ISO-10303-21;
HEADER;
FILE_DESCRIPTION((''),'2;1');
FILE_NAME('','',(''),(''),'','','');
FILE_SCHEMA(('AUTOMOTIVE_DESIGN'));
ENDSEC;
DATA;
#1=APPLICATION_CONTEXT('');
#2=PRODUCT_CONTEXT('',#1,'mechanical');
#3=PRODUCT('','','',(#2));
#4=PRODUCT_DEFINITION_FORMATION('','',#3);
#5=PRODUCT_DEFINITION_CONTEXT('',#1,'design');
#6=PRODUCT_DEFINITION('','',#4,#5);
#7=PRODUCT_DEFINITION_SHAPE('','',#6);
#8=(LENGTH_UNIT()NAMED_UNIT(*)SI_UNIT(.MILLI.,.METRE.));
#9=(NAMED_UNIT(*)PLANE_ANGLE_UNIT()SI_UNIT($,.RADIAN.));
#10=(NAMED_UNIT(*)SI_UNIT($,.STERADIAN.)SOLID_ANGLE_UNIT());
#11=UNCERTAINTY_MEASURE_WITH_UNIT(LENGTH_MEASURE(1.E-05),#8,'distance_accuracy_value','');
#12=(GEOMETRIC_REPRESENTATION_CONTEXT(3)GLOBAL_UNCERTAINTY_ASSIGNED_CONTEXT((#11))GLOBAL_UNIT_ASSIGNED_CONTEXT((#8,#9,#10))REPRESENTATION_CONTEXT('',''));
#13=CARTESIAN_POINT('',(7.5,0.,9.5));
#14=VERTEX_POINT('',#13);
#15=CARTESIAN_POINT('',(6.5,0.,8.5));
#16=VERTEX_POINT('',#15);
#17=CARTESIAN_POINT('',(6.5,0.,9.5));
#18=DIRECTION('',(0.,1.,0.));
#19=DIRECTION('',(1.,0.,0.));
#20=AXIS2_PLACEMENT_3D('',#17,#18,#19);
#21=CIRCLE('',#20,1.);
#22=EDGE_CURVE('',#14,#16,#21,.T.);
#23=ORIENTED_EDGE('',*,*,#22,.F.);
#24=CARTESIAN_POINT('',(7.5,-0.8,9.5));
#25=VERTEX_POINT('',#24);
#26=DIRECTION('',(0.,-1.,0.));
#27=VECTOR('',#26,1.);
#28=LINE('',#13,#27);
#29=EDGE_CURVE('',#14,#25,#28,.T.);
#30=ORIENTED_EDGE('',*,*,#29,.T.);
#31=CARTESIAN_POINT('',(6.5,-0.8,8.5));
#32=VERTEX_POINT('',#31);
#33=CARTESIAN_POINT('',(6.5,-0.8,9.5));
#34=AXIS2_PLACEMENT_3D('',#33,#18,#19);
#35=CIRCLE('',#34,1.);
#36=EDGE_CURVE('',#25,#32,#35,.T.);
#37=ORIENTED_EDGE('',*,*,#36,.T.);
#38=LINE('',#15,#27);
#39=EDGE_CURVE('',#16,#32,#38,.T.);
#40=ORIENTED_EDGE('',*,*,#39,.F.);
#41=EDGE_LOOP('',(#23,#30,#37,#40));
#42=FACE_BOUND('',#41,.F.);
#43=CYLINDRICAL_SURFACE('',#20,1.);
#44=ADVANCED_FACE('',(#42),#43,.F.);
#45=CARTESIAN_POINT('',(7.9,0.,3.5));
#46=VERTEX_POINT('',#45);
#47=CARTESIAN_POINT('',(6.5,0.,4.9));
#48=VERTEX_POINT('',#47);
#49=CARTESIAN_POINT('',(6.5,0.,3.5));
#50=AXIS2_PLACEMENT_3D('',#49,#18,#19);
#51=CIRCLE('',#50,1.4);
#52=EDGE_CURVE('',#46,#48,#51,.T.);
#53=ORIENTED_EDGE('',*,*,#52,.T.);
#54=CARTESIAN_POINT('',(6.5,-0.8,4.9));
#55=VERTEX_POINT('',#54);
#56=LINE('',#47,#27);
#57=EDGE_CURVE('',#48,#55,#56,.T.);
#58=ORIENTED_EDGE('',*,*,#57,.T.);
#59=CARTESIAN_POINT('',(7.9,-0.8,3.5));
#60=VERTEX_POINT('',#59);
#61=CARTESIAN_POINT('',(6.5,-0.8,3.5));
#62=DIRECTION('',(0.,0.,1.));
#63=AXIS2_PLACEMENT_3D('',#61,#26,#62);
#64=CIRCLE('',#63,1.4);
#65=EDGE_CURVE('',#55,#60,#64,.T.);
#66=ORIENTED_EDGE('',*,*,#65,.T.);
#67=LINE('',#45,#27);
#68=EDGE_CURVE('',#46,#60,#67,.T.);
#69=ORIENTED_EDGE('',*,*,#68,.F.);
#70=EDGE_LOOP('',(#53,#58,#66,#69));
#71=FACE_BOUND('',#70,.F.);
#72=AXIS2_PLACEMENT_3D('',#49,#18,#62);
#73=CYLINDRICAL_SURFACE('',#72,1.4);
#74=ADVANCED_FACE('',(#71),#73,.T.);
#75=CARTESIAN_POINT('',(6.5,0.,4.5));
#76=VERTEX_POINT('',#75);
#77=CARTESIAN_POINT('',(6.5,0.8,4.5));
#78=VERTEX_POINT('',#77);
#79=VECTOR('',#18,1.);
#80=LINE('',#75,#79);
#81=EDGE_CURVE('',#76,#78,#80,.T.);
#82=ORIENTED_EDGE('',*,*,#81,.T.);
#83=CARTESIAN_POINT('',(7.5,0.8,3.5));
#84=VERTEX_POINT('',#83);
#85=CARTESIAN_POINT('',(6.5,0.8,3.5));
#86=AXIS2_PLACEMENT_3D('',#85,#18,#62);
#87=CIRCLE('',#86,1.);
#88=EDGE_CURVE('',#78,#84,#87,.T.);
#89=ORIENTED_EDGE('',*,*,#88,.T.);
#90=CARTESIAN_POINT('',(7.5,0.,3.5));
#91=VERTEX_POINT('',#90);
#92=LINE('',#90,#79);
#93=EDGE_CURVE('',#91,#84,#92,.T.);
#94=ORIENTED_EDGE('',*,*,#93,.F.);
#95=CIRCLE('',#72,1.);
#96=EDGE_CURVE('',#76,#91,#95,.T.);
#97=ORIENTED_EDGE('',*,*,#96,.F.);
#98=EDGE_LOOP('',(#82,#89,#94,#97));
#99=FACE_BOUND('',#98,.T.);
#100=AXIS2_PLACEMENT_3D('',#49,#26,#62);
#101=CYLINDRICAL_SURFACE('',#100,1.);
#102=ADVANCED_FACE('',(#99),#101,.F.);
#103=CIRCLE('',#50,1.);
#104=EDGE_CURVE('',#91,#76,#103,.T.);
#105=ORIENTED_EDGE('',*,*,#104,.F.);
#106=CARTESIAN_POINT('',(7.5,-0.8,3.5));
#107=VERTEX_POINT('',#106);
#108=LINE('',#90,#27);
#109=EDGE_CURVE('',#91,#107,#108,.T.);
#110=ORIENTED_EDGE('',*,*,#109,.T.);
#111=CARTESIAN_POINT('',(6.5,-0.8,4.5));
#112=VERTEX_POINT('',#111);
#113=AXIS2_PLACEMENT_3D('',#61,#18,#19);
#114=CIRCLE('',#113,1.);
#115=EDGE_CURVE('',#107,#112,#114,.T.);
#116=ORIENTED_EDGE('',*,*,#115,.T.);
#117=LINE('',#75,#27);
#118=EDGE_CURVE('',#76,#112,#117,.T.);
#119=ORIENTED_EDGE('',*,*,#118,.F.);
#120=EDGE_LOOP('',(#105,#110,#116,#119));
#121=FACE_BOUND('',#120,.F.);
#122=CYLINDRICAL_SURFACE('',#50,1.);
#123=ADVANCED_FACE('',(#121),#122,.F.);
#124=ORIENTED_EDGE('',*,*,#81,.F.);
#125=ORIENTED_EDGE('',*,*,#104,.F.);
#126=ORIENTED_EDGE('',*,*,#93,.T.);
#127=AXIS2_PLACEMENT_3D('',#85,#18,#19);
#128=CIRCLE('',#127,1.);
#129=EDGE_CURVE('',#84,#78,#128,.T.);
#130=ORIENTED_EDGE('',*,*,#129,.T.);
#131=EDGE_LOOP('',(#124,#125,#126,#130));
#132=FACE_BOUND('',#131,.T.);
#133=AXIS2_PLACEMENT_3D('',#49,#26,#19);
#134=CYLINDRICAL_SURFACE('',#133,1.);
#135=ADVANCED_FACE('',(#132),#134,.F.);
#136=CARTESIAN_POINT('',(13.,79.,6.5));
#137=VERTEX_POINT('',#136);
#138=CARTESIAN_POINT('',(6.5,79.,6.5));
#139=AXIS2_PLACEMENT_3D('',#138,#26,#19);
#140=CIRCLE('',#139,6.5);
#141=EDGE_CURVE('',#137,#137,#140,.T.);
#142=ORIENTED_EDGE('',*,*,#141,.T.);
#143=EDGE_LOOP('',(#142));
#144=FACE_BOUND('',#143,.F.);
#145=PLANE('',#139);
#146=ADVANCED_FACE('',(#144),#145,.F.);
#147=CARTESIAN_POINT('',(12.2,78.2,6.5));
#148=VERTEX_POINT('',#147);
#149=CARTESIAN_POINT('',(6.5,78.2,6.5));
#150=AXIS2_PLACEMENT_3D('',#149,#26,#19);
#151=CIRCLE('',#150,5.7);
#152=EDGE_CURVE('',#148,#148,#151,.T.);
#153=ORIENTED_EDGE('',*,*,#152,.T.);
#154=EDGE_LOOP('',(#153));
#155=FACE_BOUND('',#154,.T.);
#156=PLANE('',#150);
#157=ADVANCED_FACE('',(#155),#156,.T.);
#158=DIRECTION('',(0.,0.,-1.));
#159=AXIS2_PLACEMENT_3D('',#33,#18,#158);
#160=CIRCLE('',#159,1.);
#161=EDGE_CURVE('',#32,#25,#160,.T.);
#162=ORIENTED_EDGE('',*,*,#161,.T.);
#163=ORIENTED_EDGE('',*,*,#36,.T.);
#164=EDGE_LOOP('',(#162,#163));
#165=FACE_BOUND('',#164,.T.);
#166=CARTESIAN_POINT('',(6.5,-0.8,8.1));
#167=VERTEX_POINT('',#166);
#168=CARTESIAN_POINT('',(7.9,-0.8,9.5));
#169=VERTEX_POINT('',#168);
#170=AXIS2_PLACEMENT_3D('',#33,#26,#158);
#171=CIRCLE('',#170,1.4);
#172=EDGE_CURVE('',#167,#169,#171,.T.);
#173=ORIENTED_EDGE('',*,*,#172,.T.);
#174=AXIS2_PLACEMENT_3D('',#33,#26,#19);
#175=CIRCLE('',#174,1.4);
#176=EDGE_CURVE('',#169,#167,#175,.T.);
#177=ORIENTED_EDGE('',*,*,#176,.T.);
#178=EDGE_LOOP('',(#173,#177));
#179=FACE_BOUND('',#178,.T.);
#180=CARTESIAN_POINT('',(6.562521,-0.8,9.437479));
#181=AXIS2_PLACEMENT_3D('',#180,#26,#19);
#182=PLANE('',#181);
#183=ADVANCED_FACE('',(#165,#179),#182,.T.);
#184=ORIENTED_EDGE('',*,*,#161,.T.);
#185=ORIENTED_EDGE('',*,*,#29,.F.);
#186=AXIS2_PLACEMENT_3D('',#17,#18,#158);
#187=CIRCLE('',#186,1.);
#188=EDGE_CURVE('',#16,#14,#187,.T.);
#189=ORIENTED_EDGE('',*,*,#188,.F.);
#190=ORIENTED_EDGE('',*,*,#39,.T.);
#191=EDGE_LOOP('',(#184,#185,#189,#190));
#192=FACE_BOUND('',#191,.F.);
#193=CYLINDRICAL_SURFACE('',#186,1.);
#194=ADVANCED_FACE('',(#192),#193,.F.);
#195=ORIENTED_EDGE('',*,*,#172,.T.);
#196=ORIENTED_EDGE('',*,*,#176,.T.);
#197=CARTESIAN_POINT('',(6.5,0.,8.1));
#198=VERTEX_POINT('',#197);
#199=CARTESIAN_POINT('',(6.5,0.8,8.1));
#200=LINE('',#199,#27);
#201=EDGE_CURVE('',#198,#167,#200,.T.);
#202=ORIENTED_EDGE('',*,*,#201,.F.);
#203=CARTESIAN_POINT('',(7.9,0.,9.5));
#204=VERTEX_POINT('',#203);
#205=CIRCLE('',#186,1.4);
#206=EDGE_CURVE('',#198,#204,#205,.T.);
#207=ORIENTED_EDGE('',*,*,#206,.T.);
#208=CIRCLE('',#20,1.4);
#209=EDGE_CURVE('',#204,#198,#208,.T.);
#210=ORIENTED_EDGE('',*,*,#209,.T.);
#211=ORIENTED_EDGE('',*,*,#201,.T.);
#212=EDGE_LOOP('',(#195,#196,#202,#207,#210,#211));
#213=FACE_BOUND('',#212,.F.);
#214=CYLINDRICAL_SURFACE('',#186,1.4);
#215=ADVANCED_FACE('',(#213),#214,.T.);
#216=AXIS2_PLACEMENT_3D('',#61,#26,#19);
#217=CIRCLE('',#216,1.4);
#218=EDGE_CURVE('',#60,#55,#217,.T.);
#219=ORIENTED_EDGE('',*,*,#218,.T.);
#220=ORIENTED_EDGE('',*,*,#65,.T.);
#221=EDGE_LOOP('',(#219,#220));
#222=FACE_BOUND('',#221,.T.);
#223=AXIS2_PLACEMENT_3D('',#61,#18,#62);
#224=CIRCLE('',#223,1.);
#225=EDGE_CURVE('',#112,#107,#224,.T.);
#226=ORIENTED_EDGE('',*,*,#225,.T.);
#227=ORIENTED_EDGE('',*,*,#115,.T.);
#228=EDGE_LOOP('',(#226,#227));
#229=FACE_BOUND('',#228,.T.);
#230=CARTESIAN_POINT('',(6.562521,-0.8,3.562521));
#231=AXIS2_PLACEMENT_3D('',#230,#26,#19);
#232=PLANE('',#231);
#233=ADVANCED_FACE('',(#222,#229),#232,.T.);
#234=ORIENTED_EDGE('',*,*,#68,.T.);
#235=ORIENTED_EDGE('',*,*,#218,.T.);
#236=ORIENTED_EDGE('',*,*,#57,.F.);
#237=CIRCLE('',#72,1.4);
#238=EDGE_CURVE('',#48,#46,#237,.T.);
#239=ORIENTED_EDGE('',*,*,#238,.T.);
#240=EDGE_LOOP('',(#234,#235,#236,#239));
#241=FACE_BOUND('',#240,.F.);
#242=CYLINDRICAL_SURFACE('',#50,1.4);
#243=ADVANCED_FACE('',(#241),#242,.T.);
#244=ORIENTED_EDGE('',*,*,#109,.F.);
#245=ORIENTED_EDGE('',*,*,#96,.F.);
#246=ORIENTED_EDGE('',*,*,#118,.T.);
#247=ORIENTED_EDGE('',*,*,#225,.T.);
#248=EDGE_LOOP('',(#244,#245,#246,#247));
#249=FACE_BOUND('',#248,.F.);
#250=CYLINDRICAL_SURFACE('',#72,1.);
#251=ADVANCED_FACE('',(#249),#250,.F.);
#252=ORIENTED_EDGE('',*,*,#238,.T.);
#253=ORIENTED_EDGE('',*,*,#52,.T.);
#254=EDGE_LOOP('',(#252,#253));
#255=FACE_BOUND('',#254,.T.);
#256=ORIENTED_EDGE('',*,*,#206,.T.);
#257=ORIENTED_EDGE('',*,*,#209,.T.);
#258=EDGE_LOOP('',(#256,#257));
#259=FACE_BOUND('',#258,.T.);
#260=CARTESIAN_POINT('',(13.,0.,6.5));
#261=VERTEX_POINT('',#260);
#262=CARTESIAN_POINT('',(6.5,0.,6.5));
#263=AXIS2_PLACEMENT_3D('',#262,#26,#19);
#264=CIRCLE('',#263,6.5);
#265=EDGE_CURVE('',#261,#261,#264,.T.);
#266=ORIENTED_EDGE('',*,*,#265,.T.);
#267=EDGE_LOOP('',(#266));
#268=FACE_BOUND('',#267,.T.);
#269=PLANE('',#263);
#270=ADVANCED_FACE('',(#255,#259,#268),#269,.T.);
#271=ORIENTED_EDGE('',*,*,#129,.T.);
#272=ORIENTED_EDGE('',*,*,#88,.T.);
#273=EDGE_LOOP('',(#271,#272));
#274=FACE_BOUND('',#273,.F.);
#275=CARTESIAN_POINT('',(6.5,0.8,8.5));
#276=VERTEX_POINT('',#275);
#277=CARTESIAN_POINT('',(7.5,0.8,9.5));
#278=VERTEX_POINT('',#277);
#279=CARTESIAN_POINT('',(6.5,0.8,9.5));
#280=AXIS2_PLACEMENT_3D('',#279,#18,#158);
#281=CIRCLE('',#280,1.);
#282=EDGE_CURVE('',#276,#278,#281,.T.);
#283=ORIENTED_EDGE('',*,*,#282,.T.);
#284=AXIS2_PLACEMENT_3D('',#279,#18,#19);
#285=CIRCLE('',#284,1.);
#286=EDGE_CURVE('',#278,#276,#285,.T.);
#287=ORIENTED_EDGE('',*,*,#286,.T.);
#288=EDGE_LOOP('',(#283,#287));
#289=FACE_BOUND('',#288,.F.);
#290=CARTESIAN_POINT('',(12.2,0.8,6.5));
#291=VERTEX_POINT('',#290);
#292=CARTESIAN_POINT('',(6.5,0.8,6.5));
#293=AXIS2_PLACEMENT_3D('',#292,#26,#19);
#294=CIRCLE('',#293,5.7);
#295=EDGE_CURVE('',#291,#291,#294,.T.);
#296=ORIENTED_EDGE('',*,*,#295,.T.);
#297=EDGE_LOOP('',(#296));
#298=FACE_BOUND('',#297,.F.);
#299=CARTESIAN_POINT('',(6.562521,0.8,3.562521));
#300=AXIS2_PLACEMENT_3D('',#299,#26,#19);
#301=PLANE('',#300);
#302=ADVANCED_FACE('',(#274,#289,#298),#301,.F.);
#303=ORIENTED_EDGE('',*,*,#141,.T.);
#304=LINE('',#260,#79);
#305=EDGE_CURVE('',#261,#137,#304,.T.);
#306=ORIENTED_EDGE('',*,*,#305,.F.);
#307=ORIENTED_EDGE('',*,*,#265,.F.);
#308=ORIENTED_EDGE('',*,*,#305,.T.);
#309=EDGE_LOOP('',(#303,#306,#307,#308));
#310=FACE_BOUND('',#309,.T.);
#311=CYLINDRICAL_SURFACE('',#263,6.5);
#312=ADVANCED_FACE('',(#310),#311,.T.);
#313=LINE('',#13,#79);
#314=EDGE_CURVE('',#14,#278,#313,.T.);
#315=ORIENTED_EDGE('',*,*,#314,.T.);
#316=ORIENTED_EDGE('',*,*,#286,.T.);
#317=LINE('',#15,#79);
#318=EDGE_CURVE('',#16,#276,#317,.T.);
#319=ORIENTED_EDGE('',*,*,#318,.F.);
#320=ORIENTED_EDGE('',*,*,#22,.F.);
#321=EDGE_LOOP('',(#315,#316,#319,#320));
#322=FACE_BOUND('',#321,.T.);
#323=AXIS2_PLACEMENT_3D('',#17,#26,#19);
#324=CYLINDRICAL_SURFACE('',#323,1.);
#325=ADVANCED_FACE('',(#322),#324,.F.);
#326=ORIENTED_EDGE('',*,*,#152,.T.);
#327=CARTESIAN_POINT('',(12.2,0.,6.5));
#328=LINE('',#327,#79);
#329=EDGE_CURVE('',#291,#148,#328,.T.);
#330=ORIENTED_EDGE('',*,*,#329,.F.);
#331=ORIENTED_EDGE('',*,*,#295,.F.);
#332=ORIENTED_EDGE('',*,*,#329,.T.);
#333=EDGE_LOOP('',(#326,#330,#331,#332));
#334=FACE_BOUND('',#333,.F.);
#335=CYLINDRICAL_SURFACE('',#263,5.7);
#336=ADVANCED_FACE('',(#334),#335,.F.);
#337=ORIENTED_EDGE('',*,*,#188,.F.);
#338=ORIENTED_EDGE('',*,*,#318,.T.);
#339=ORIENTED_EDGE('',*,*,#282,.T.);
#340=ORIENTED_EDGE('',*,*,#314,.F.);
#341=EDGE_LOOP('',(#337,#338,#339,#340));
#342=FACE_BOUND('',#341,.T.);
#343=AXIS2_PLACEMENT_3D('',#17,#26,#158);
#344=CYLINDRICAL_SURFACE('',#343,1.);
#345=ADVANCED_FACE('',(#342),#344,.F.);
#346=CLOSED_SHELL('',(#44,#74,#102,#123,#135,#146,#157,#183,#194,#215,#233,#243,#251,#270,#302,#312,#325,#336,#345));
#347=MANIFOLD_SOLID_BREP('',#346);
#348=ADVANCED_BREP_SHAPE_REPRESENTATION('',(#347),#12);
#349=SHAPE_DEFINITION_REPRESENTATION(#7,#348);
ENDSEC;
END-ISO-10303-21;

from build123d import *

# Parameters (mm, degrees)
F0_R     = 6.5
F1_DEPTH = 79
F2_T     = -0.8
F3_DEPTH = 0.8
F4_DEPTH = 0.8


with BuildPart() as f1:
    # F0 (on Front) → F1 (new body)
    with BuildSketch(Plane.XZ):
        with Locations((6.5, 6.5)):
            Circle(F0_R)
        with BuildLine():
            ThreePointArc((7.9, 3.5), (5.5100505063, 2.5100505063), (6.5, 4.9))
            ThreePointArc((6.5, 4.9), (7.4899494937, 4.4899494937), (7.9, 3.5))
        make_face(mode=Mode.SUBTRACT)
        with BuildLine():
            ThreePointArc((6.5, 8.1), (5.5100505063, 10.4899494937), (7.9, 9.5))
            ThreePointArc((7.9, 9.5), (7.4899494937, 8.5100505063), (6.5, 8.1))
        make_face(mode=Mode.SUBTRACT)
        with BuildLine():
            ThreePointArc((6.5, 8.1), (7.4899494937, 8.5100505063), (7.9, 9.5))
            ThreePointArc((7.9, 9.5), (5.5100505063, 10.4899494937), (6.5, 8.1))
        make_face()
        with BuildLine():
            ThreePointArc((7.5, 9.5), (7.2071067812, 8.7928932188), (6.5, 8.5))
            ThreePointArc((6.5, 8.5), (5.7928932188, 10.2071067812), (7.5, 9.5))
        make_face(mode=Mode.SUBTRACT)
        with BuildLine():
            ThreePointArc((7.9, 3.5), (7.4899494937, 4.4899494937), (6.5, 4.9))
            ThreePointArc((6.5, 4.9), (5.5100505063, 2.5100505063), (7.9, 3.5))
        make_face()
        with BuildLine():
            ThreePointArc((7.5, 3.5), (5.7928932188, 2.7928932188), (6.5, 4.5))
            ThreePointArc((6.5, 4.5), (7.2071067812, 4.2071067812), (7.5, 3.5))
        make_face(mode=Mode.SUBTRACT)
        with BuildLine():
            ThreePointArc((7.5, 9.5), (5.7928932188, 10.2071067812), (6.5, 8.5))
            ThreePointArc((6.5, 8.5), (7.2071067812, 8.7928932188), (7.5, 9.5))
        make_face()
        with BuildLine():
            ThreePointArc((7.5, 3.5), (7.2071067812, 4.2071067812), (6.5, 4.5))
            ThreePointArc((6.5, 4.5), (5.7928932188, 2.7928932188), (7.5, 3.5))
        make_face()
    extrude(amount=-F1_DEPTH)

    # F2
    f2_openings = [f1.faces().sort_by_distance(p)[0] for p in [
        (6.5, 0, 6.5),
    ]]
    offset(amount=F2_T, openings=f2_openings)

    # F0 (on Front) → F3 (join)
    with BuildSketch(Plane.XZ):
        with Locations((6.5, 6.5)):
            Circle(F0_R)
        with BuildLine():
            ThreePointArc((7.9, 3.5), (5.5100505063, 2.5100505063), (6.5, 4.9))
            ThreePointArc((6.5, 4.9), (7.4899494937, 4.4899494937), (7.9, 3.5))
        make_face(mode=Mode.SUBTRACT)
        with BuildLine():
            ThreePointArc((6.5, 8.1), (5.5100505063, 10.4899494937), (7.9, 9.5))
            ThreePointArc((7.9, 9.5), (7.4899494937, 8.5100505063), (6.5, 8.1))
        make_face(mode=Mode.SUBTRACT)
    extrude(amount=-F3_DEPTH)

    # F0 (on Front) → F4 (join, symmetric)
    with BuildSketch(Plane.XZ):
        with BuildLine():
            ThreePointArc((6.5, 8.1), (7.4899494937, 8.5100505063), (7.9, 9.5))
            ThreePointArc((7.9, 9.5), (5.5100505063, 10.4899494937), (6.5, 8.1))
        make_face()
        with BuildLine():
            ThreePointArc((7.5, 9.5), (7.2071067812, 8.7928932188), (6.5, 8.5))
            ThreePointArc((6.5, 8.5), (5.7928932188, 10.2071067812), (7.5, 9.5))
        make_face(mode=Mode.SUBTRACT)
        with BuildLine():
            ThreePointArc((7.9, 3.5), (7.4899494937, 4.4899494937), (6.5, 4.9))
            ThreePointArc((6.5, 4.9), (5.5100505063, 2.5100505063), (7.9, 3.5))
        make_face()
        with BuildLine():
            ThreePointArc((7.5, 3.5), (5.7928932188, 2.7928932188), (6.5, 4.5))
            ThreePointArc((6.5, 4.5), (7.2071067812, 4.2071067812), (7.5, 3.5))
        make_face(mode=Mode.SUBTRACT)
    extrude(amount=F4_DEPTH, both=True)


solid = f1.part
